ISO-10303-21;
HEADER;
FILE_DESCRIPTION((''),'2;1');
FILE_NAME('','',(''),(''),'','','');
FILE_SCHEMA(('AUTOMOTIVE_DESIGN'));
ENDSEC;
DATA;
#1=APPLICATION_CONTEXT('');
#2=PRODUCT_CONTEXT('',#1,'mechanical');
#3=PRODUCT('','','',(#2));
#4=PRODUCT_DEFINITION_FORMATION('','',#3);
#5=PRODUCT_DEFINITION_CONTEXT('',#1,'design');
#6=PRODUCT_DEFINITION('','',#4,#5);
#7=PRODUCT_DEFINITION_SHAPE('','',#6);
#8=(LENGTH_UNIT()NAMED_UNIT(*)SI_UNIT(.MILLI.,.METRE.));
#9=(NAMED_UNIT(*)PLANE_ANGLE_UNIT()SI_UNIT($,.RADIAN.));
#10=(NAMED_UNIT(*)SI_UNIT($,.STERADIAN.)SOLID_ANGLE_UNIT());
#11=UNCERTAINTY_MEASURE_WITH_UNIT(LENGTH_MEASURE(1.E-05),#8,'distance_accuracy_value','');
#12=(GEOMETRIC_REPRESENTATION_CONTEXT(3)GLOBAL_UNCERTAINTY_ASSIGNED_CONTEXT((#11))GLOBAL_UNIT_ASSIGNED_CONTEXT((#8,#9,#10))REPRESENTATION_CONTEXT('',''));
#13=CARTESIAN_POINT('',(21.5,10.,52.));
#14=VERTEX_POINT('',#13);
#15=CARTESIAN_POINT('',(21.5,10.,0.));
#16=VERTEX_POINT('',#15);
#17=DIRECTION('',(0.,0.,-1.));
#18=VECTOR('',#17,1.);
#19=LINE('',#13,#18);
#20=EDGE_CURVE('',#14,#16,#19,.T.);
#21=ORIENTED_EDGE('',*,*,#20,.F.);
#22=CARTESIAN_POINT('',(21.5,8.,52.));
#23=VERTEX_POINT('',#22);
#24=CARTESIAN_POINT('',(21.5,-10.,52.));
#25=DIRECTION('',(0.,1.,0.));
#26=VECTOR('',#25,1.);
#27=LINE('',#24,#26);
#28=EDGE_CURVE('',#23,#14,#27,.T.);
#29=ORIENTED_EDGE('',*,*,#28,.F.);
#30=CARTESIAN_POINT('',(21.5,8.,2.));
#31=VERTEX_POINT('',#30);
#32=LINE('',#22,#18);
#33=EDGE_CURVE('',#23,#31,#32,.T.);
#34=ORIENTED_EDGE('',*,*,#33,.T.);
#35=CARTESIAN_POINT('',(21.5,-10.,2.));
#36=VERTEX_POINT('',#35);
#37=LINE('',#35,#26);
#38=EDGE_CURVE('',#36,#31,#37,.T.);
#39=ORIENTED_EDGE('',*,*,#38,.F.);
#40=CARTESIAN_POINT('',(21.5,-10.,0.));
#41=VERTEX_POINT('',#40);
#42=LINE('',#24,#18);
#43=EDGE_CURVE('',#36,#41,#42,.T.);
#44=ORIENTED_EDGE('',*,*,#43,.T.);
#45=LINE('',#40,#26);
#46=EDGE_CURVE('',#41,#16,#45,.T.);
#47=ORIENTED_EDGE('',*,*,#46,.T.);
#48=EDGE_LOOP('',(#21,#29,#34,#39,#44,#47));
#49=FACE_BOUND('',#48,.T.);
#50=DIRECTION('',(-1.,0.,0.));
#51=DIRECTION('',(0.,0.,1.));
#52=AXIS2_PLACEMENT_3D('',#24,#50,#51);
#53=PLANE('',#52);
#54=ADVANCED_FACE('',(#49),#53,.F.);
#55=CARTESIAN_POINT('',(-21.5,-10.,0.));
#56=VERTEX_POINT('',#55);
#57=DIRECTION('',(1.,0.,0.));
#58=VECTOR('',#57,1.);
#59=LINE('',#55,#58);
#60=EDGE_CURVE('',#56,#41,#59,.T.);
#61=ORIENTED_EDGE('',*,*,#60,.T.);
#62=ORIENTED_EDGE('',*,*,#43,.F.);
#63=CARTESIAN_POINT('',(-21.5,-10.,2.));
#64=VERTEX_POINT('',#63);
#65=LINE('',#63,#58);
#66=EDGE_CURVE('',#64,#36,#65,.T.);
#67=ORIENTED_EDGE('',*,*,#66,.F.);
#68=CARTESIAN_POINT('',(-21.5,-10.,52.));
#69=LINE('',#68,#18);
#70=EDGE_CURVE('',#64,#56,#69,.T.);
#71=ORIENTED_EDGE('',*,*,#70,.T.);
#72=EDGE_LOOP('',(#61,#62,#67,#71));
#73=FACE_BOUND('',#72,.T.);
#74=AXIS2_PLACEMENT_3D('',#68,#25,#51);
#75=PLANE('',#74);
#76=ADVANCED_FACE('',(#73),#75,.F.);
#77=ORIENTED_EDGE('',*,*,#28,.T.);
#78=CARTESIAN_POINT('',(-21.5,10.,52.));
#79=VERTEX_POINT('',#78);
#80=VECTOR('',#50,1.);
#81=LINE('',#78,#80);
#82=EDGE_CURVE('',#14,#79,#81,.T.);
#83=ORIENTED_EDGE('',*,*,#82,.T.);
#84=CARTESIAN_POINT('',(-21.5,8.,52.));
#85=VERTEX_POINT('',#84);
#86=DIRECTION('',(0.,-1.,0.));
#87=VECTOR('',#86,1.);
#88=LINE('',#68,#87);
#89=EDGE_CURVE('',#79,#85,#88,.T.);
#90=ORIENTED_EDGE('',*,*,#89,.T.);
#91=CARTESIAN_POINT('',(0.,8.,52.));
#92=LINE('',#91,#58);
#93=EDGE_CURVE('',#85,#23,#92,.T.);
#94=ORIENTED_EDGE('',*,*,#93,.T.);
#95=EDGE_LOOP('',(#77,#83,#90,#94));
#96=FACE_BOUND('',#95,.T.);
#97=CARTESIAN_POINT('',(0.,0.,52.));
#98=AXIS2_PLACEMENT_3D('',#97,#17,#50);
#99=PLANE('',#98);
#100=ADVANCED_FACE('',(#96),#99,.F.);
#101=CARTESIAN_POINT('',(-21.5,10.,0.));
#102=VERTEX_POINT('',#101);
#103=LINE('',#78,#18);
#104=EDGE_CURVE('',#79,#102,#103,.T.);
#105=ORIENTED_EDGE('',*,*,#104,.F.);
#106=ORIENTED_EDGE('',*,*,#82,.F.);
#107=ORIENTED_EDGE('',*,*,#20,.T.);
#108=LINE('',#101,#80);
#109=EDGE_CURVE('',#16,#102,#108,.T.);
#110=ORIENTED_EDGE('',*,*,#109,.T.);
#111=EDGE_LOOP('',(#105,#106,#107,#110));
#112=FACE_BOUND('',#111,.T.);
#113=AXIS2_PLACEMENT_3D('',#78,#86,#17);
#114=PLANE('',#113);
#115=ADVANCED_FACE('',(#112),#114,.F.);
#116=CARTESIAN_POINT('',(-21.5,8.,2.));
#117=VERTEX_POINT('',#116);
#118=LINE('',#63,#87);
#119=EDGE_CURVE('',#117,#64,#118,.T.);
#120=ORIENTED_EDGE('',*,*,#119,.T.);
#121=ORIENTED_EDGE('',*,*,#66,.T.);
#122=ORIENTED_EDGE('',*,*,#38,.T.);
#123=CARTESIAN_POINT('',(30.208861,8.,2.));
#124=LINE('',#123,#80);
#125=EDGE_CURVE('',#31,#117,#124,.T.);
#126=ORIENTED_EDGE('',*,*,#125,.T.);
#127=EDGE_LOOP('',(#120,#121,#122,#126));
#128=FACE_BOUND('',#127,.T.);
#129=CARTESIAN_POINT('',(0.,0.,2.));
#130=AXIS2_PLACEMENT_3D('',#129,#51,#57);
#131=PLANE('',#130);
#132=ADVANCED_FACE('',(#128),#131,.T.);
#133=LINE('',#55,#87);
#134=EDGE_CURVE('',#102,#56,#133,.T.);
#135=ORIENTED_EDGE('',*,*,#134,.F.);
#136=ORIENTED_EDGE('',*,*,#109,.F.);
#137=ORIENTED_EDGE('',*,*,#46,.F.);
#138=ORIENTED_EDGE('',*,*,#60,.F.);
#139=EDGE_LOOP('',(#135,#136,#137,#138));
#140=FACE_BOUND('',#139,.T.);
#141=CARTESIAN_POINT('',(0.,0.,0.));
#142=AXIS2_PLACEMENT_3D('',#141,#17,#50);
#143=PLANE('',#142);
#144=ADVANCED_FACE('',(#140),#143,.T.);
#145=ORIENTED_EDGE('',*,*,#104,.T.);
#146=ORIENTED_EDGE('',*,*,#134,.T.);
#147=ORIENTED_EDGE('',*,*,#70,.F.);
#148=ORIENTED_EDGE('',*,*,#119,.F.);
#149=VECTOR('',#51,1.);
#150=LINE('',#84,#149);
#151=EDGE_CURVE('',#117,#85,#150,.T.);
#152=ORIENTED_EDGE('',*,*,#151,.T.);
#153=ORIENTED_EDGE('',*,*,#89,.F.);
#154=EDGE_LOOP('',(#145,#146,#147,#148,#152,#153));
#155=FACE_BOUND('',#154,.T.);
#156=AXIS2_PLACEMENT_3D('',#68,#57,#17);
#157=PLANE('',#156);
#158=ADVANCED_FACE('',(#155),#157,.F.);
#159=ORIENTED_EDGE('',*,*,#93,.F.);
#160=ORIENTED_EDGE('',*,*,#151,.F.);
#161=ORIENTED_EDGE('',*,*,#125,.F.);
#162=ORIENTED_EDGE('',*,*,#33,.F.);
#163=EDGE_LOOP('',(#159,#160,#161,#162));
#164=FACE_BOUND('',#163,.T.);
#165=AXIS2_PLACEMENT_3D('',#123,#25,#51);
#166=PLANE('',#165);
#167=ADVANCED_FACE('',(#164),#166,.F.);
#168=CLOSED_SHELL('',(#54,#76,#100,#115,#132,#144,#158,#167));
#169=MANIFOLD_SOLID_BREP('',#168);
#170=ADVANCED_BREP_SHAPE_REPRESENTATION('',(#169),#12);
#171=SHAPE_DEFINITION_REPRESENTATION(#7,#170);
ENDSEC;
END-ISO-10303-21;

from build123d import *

# Parameters (mm, degrees)
ESQUISSE1_W             = 43
ESQUISSE1_H             = 20
BOSS_EXTRU_1_DEPTH      = 52
ESQUISSE2_W             = 57.277645312
ESQUISSE2_H             = 21.944309951
ENL_V_MAT_EXTRU_1_DEPTH = 50


with BuildPart() as part:
    # Esquisse1 → Boss.-Extru.1 (new body)
    with BuildSketch(Plane.XY):
        Rectangle(ESQUISSE1_W, ESQUISSE1_H)
    extrude(amount=BOSS_EXTRU_1_DEPTH)

    # Esquisse2 → Enlèv. mat.-Extru.1 (cut)
    with BuildSketch(Plane.XY.offset(52)):
        with Locations((1.570038745, -2.972154976)):
            Rectangle(ESQUISSE2_W, ESQUISSE2_H)
    extrude(amount=-ENL_V_MAT_EXTRU_1_DEPTH, mode=Mode.SUBTRACT)


solid = part.part
